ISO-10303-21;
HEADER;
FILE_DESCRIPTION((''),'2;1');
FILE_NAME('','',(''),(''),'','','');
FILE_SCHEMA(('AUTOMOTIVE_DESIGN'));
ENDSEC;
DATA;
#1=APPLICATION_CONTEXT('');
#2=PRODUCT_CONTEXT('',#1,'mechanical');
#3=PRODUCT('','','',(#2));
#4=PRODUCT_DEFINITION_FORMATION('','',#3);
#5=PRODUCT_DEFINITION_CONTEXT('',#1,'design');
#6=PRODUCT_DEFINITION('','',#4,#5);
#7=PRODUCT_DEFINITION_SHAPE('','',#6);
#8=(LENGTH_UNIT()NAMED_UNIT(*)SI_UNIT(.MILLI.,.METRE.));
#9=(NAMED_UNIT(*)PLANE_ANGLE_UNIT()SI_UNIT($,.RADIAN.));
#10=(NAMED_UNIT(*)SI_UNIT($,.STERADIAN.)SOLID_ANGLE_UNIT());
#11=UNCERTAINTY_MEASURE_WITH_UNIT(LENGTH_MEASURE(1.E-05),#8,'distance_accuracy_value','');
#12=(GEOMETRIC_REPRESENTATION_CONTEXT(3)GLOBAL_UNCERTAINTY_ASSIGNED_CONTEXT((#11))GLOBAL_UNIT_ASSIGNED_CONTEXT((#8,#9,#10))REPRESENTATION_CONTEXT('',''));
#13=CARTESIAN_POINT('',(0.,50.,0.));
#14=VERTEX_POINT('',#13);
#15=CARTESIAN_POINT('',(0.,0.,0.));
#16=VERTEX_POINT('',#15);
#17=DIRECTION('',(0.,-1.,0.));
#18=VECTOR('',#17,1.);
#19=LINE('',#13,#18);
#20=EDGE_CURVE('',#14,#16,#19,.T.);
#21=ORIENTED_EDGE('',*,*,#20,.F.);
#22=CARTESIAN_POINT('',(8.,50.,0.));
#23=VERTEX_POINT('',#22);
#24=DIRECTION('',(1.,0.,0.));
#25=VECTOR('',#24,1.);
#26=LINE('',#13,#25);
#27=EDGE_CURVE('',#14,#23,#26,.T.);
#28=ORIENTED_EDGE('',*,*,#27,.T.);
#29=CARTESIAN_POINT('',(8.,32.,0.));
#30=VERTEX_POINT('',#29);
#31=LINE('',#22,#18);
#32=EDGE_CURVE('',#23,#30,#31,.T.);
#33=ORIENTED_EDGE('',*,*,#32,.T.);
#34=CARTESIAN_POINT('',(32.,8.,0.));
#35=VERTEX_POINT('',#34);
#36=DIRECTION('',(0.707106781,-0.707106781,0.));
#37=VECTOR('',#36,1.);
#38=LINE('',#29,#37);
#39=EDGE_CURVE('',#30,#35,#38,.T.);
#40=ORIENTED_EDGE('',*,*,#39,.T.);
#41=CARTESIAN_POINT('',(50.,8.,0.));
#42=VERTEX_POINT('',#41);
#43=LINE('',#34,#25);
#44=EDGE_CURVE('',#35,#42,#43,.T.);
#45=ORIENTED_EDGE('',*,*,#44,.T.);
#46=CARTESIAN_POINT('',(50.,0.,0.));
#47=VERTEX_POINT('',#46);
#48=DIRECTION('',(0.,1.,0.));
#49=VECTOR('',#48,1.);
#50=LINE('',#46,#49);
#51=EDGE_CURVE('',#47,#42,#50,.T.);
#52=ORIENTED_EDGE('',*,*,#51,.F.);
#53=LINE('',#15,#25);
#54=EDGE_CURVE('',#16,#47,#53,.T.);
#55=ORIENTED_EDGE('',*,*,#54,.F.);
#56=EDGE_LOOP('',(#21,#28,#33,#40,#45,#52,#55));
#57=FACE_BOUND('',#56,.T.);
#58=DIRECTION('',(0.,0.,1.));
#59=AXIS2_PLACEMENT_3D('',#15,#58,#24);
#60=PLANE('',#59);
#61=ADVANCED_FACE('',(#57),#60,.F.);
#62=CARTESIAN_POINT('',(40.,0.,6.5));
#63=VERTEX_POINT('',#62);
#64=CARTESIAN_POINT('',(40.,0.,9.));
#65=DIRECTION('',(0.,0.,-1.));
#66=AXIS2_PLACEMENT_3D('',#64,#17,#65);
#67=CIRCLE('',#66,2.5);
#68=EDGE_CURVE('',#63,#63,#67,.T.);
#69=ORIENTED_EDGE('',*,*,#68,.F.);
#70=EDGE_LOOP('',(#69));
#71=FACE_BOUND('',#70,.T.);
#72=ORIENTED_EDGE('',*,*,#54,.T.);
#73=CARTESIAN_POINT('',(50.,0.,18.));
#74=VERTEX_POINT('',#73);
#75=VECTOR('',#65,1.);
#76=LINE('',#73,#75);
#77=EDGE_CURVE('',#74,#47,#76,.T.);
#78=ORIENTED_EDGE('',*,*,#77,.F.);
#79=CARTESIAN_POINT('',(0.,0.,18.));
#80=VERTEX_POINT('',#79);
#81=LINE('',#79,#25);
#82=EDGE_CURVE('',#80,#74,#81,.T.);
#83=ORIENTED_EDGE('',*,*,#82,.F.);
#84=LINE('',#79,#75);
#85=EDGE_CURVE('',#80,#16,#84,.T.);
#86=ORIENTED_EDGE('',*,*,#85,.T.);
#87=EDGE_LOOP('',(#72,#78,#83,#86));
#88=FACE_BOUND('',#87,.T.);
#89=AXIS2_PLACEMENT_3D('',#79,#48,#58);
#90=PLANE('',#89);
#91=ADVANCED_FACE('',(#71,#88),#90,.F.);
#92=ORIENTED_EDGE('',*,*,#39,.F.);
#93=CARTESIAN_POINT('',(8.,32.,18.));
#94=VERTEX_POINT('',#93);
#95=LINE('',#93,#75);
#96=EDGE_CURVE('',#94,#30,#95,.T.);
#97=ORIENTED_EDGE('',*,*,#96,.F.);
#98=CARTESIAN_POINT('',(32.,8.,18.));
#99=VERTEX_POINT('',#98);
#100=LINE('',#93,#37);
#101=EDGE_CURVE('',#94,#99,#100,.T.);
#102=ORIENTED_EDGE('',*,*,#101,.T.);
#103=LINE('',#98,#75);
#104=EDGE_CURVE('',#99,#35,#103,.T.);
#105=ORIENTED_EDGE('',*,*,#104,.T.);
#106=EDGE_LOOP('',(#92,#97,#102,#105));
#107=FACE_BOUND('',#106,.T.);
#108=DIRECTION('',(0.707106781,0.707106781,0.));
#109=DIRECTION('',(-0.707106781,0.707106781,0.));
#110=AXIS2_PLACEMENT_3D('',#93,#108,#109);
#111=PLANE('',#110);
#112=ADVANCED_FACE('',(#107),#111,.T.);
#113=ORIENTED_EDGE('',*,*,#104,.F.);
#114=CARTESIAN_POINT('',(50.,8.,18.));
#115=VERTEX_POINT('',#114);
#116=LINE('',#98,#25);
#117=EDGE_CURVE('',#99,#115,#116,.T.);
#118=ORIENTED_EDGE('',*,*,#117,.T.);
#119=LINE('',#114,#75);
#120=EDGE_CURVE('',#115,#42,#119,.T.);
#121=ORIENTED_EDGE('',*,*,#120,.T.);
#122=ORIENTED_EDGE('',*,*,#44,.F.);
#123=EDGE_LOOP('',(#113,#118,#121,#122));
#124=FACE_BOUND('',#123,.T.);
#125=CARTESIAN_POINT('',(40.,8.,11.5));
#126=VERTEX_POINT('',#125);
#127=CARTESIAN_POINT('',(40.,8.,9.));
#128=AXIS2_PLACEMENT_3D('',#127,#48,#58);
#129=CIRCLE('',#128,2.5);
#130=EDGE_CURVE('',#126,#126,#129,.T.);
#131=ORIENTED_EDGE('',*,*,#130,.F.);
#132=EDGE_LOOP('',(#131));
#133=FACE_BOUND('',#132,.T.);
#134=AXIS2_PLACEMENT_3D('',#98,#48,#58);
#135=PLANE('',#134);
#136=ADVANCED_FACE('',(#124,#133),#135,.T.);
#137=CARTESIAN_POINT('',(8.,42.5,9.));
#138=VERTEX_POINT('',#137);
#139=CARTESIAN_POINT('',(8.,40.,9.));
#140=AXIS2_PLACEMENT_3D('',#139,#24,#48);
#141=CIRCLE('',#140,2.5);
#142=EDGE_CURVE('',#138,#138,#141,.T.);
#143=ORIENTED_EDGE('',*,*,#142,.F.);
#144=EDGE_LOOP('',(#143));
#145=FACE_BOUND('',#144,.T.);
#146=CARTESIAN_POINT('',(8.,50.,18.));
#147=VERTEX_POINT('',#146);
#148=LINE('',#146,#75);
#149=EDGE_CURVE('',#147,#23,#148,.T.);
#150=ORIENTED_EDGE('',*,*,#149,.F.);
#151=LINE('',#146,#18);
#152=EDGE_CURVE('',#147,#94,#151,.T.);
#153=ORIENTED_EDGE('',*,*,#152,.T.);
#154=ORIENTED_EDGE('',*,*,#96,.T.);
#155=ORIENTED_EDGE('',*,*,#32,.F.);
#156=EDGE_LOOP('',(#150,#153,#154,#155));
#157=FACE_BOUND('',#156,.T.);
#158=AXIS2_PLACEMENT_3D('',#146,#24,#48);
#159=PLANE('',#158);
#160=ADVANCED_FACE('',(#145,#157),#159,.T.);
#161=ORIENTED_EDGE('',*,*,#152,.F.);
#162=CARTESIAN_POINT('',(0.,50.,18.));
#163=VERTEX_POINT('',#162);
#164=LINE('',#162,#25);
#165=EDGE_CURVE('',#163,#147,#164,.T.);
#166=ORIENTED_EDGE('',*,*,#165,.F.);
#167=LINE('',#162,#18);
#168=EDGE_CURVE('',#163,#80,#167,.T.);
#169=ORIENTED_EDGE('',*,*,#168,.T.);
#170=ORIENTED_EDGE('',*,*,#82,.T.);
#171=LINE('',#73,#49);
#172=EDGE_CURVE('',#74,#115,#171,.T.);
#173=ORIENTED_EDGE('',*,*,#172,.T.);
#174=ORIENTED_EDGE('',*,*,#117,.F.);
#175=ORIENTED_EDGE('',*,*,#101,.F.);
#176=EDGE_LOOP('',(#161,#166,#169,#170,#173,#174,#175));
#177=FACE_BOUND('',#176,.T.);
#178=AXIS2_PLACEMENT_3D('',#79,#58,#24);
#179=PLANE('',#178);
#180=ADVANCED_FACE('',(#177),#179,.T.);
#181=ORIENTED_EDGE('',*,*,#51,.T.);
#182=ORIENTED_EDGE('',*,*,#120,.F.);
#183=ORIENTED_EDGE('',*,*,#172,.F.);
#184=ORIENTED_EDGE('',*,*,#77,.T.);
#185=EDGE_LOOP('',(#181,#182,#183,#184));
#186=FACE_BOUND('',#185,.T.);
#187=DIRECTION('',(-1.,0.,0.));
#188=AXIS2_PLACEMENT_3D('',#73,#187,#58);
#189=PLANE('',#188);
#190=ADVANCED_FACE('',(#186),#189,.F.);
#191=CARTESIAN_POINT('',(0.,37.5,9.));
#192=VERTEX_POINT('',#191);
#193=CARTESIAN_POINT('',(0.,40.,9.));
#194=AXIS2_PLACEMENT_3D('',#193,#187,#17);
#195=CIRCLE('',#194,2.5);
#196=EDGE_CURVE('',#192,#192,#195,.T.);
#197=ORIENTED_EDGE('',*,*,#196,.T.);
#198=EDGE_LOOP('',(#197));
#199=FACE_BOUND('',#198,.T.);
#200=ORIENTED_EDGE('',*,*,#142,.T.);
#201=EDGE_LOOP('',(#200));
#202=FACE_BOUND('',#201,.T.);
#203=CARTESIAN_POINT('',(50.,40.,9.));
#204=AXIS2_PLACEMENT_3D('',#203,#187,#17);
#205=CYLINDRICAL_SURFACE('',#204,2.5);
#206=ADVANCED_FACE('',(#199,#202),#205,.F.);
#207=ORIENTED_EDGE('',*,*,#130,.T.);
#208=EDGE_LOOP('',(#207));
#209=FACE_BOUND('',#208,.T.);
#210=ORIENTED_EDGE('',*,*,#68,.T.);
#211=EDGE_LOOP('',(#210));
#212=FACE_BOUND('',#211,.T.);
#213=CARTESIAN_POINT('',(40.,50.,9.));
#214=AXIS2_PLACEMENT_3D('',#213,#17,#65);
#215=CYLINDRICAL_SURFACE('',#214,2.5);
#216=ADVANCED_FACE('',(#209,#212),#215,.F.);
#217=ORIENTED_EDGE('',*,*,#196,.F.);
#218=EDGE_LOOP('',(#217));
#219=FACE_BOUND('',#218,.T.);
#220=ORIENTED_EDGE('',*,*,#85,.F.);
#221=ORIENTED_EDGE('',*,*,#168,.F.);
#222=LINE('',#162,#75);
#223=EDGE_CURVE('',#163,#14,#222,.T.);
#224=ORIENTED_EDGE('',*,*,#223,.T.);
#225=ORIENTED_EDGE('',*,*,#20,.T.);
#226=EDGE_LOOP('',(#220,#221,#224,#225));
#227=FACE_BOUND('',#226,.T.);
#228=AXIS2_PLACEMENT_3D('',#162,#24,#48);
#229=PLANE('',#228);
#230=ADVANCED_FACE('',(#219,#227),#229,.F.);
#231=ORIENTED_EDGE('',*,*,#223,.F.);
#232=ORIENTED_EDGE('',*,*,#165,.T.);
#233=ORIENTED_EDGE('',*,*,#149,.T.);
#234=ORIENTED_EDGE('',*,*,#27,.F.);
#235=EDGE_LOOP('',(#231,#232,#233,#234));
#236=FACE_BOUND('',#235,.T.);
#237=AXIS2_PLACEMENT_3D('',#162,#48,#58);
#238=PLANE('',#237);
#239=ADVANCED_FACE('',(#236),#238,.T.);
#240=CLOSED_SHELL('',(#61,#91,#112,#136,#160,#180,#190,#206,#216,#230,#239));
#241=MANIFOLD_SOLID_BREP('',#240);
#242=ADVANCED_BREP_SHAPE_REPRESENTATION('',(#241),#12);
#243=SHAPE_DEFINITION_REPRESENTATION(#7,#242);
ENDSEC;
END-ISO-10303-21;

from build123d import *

# Parameters (mm, degrees)
EXTRUDE_1_DEPTH     = 18
SKETCH_2_R          = 2.5
CUT_EXTRUDE_1_DEPTH = 73.965745388
SKETCH_3_R          = 2.5
CUT_EXTRUDE_2_DEPTH = 73.965745388


with BuildPart() as part:
    # 草图1 → 凸台-拉伸1 (new body)
    with BuildSketch(Plane.XY):
        Polygon((32, 8), (50, 8), (50, 0), (0, 0), (0, 50), (8, 50), (8, 32), align=None)
    extrude(amount=EXTRUDE_1_DEPTH)

    # 草图2 → 切除-拉伸1 (cut, through all)
    with BuildSketch(Plane.XZ):
        with Locations(Location((40, 9, 0), (0, 0, 270))):
            Circle(SKETCH_2_R)
    extrude(amount=-CUT_EXTRUDE_1_DEPTH, mode=Mode.SUBTRACT)

    # 草图3 → 切除-拉伸2 (cut, through all)
    with BuildSketch(Plane.ZY):
        with Locations(Location((9, 40, 0), (0, 0, 270))):
            Circle(SKETCH_3_R)
    extrude(amount=-CUT_EXTRUDE_2_DEPTH, mode=Mode.SUBTRACT)


solid = part.part
